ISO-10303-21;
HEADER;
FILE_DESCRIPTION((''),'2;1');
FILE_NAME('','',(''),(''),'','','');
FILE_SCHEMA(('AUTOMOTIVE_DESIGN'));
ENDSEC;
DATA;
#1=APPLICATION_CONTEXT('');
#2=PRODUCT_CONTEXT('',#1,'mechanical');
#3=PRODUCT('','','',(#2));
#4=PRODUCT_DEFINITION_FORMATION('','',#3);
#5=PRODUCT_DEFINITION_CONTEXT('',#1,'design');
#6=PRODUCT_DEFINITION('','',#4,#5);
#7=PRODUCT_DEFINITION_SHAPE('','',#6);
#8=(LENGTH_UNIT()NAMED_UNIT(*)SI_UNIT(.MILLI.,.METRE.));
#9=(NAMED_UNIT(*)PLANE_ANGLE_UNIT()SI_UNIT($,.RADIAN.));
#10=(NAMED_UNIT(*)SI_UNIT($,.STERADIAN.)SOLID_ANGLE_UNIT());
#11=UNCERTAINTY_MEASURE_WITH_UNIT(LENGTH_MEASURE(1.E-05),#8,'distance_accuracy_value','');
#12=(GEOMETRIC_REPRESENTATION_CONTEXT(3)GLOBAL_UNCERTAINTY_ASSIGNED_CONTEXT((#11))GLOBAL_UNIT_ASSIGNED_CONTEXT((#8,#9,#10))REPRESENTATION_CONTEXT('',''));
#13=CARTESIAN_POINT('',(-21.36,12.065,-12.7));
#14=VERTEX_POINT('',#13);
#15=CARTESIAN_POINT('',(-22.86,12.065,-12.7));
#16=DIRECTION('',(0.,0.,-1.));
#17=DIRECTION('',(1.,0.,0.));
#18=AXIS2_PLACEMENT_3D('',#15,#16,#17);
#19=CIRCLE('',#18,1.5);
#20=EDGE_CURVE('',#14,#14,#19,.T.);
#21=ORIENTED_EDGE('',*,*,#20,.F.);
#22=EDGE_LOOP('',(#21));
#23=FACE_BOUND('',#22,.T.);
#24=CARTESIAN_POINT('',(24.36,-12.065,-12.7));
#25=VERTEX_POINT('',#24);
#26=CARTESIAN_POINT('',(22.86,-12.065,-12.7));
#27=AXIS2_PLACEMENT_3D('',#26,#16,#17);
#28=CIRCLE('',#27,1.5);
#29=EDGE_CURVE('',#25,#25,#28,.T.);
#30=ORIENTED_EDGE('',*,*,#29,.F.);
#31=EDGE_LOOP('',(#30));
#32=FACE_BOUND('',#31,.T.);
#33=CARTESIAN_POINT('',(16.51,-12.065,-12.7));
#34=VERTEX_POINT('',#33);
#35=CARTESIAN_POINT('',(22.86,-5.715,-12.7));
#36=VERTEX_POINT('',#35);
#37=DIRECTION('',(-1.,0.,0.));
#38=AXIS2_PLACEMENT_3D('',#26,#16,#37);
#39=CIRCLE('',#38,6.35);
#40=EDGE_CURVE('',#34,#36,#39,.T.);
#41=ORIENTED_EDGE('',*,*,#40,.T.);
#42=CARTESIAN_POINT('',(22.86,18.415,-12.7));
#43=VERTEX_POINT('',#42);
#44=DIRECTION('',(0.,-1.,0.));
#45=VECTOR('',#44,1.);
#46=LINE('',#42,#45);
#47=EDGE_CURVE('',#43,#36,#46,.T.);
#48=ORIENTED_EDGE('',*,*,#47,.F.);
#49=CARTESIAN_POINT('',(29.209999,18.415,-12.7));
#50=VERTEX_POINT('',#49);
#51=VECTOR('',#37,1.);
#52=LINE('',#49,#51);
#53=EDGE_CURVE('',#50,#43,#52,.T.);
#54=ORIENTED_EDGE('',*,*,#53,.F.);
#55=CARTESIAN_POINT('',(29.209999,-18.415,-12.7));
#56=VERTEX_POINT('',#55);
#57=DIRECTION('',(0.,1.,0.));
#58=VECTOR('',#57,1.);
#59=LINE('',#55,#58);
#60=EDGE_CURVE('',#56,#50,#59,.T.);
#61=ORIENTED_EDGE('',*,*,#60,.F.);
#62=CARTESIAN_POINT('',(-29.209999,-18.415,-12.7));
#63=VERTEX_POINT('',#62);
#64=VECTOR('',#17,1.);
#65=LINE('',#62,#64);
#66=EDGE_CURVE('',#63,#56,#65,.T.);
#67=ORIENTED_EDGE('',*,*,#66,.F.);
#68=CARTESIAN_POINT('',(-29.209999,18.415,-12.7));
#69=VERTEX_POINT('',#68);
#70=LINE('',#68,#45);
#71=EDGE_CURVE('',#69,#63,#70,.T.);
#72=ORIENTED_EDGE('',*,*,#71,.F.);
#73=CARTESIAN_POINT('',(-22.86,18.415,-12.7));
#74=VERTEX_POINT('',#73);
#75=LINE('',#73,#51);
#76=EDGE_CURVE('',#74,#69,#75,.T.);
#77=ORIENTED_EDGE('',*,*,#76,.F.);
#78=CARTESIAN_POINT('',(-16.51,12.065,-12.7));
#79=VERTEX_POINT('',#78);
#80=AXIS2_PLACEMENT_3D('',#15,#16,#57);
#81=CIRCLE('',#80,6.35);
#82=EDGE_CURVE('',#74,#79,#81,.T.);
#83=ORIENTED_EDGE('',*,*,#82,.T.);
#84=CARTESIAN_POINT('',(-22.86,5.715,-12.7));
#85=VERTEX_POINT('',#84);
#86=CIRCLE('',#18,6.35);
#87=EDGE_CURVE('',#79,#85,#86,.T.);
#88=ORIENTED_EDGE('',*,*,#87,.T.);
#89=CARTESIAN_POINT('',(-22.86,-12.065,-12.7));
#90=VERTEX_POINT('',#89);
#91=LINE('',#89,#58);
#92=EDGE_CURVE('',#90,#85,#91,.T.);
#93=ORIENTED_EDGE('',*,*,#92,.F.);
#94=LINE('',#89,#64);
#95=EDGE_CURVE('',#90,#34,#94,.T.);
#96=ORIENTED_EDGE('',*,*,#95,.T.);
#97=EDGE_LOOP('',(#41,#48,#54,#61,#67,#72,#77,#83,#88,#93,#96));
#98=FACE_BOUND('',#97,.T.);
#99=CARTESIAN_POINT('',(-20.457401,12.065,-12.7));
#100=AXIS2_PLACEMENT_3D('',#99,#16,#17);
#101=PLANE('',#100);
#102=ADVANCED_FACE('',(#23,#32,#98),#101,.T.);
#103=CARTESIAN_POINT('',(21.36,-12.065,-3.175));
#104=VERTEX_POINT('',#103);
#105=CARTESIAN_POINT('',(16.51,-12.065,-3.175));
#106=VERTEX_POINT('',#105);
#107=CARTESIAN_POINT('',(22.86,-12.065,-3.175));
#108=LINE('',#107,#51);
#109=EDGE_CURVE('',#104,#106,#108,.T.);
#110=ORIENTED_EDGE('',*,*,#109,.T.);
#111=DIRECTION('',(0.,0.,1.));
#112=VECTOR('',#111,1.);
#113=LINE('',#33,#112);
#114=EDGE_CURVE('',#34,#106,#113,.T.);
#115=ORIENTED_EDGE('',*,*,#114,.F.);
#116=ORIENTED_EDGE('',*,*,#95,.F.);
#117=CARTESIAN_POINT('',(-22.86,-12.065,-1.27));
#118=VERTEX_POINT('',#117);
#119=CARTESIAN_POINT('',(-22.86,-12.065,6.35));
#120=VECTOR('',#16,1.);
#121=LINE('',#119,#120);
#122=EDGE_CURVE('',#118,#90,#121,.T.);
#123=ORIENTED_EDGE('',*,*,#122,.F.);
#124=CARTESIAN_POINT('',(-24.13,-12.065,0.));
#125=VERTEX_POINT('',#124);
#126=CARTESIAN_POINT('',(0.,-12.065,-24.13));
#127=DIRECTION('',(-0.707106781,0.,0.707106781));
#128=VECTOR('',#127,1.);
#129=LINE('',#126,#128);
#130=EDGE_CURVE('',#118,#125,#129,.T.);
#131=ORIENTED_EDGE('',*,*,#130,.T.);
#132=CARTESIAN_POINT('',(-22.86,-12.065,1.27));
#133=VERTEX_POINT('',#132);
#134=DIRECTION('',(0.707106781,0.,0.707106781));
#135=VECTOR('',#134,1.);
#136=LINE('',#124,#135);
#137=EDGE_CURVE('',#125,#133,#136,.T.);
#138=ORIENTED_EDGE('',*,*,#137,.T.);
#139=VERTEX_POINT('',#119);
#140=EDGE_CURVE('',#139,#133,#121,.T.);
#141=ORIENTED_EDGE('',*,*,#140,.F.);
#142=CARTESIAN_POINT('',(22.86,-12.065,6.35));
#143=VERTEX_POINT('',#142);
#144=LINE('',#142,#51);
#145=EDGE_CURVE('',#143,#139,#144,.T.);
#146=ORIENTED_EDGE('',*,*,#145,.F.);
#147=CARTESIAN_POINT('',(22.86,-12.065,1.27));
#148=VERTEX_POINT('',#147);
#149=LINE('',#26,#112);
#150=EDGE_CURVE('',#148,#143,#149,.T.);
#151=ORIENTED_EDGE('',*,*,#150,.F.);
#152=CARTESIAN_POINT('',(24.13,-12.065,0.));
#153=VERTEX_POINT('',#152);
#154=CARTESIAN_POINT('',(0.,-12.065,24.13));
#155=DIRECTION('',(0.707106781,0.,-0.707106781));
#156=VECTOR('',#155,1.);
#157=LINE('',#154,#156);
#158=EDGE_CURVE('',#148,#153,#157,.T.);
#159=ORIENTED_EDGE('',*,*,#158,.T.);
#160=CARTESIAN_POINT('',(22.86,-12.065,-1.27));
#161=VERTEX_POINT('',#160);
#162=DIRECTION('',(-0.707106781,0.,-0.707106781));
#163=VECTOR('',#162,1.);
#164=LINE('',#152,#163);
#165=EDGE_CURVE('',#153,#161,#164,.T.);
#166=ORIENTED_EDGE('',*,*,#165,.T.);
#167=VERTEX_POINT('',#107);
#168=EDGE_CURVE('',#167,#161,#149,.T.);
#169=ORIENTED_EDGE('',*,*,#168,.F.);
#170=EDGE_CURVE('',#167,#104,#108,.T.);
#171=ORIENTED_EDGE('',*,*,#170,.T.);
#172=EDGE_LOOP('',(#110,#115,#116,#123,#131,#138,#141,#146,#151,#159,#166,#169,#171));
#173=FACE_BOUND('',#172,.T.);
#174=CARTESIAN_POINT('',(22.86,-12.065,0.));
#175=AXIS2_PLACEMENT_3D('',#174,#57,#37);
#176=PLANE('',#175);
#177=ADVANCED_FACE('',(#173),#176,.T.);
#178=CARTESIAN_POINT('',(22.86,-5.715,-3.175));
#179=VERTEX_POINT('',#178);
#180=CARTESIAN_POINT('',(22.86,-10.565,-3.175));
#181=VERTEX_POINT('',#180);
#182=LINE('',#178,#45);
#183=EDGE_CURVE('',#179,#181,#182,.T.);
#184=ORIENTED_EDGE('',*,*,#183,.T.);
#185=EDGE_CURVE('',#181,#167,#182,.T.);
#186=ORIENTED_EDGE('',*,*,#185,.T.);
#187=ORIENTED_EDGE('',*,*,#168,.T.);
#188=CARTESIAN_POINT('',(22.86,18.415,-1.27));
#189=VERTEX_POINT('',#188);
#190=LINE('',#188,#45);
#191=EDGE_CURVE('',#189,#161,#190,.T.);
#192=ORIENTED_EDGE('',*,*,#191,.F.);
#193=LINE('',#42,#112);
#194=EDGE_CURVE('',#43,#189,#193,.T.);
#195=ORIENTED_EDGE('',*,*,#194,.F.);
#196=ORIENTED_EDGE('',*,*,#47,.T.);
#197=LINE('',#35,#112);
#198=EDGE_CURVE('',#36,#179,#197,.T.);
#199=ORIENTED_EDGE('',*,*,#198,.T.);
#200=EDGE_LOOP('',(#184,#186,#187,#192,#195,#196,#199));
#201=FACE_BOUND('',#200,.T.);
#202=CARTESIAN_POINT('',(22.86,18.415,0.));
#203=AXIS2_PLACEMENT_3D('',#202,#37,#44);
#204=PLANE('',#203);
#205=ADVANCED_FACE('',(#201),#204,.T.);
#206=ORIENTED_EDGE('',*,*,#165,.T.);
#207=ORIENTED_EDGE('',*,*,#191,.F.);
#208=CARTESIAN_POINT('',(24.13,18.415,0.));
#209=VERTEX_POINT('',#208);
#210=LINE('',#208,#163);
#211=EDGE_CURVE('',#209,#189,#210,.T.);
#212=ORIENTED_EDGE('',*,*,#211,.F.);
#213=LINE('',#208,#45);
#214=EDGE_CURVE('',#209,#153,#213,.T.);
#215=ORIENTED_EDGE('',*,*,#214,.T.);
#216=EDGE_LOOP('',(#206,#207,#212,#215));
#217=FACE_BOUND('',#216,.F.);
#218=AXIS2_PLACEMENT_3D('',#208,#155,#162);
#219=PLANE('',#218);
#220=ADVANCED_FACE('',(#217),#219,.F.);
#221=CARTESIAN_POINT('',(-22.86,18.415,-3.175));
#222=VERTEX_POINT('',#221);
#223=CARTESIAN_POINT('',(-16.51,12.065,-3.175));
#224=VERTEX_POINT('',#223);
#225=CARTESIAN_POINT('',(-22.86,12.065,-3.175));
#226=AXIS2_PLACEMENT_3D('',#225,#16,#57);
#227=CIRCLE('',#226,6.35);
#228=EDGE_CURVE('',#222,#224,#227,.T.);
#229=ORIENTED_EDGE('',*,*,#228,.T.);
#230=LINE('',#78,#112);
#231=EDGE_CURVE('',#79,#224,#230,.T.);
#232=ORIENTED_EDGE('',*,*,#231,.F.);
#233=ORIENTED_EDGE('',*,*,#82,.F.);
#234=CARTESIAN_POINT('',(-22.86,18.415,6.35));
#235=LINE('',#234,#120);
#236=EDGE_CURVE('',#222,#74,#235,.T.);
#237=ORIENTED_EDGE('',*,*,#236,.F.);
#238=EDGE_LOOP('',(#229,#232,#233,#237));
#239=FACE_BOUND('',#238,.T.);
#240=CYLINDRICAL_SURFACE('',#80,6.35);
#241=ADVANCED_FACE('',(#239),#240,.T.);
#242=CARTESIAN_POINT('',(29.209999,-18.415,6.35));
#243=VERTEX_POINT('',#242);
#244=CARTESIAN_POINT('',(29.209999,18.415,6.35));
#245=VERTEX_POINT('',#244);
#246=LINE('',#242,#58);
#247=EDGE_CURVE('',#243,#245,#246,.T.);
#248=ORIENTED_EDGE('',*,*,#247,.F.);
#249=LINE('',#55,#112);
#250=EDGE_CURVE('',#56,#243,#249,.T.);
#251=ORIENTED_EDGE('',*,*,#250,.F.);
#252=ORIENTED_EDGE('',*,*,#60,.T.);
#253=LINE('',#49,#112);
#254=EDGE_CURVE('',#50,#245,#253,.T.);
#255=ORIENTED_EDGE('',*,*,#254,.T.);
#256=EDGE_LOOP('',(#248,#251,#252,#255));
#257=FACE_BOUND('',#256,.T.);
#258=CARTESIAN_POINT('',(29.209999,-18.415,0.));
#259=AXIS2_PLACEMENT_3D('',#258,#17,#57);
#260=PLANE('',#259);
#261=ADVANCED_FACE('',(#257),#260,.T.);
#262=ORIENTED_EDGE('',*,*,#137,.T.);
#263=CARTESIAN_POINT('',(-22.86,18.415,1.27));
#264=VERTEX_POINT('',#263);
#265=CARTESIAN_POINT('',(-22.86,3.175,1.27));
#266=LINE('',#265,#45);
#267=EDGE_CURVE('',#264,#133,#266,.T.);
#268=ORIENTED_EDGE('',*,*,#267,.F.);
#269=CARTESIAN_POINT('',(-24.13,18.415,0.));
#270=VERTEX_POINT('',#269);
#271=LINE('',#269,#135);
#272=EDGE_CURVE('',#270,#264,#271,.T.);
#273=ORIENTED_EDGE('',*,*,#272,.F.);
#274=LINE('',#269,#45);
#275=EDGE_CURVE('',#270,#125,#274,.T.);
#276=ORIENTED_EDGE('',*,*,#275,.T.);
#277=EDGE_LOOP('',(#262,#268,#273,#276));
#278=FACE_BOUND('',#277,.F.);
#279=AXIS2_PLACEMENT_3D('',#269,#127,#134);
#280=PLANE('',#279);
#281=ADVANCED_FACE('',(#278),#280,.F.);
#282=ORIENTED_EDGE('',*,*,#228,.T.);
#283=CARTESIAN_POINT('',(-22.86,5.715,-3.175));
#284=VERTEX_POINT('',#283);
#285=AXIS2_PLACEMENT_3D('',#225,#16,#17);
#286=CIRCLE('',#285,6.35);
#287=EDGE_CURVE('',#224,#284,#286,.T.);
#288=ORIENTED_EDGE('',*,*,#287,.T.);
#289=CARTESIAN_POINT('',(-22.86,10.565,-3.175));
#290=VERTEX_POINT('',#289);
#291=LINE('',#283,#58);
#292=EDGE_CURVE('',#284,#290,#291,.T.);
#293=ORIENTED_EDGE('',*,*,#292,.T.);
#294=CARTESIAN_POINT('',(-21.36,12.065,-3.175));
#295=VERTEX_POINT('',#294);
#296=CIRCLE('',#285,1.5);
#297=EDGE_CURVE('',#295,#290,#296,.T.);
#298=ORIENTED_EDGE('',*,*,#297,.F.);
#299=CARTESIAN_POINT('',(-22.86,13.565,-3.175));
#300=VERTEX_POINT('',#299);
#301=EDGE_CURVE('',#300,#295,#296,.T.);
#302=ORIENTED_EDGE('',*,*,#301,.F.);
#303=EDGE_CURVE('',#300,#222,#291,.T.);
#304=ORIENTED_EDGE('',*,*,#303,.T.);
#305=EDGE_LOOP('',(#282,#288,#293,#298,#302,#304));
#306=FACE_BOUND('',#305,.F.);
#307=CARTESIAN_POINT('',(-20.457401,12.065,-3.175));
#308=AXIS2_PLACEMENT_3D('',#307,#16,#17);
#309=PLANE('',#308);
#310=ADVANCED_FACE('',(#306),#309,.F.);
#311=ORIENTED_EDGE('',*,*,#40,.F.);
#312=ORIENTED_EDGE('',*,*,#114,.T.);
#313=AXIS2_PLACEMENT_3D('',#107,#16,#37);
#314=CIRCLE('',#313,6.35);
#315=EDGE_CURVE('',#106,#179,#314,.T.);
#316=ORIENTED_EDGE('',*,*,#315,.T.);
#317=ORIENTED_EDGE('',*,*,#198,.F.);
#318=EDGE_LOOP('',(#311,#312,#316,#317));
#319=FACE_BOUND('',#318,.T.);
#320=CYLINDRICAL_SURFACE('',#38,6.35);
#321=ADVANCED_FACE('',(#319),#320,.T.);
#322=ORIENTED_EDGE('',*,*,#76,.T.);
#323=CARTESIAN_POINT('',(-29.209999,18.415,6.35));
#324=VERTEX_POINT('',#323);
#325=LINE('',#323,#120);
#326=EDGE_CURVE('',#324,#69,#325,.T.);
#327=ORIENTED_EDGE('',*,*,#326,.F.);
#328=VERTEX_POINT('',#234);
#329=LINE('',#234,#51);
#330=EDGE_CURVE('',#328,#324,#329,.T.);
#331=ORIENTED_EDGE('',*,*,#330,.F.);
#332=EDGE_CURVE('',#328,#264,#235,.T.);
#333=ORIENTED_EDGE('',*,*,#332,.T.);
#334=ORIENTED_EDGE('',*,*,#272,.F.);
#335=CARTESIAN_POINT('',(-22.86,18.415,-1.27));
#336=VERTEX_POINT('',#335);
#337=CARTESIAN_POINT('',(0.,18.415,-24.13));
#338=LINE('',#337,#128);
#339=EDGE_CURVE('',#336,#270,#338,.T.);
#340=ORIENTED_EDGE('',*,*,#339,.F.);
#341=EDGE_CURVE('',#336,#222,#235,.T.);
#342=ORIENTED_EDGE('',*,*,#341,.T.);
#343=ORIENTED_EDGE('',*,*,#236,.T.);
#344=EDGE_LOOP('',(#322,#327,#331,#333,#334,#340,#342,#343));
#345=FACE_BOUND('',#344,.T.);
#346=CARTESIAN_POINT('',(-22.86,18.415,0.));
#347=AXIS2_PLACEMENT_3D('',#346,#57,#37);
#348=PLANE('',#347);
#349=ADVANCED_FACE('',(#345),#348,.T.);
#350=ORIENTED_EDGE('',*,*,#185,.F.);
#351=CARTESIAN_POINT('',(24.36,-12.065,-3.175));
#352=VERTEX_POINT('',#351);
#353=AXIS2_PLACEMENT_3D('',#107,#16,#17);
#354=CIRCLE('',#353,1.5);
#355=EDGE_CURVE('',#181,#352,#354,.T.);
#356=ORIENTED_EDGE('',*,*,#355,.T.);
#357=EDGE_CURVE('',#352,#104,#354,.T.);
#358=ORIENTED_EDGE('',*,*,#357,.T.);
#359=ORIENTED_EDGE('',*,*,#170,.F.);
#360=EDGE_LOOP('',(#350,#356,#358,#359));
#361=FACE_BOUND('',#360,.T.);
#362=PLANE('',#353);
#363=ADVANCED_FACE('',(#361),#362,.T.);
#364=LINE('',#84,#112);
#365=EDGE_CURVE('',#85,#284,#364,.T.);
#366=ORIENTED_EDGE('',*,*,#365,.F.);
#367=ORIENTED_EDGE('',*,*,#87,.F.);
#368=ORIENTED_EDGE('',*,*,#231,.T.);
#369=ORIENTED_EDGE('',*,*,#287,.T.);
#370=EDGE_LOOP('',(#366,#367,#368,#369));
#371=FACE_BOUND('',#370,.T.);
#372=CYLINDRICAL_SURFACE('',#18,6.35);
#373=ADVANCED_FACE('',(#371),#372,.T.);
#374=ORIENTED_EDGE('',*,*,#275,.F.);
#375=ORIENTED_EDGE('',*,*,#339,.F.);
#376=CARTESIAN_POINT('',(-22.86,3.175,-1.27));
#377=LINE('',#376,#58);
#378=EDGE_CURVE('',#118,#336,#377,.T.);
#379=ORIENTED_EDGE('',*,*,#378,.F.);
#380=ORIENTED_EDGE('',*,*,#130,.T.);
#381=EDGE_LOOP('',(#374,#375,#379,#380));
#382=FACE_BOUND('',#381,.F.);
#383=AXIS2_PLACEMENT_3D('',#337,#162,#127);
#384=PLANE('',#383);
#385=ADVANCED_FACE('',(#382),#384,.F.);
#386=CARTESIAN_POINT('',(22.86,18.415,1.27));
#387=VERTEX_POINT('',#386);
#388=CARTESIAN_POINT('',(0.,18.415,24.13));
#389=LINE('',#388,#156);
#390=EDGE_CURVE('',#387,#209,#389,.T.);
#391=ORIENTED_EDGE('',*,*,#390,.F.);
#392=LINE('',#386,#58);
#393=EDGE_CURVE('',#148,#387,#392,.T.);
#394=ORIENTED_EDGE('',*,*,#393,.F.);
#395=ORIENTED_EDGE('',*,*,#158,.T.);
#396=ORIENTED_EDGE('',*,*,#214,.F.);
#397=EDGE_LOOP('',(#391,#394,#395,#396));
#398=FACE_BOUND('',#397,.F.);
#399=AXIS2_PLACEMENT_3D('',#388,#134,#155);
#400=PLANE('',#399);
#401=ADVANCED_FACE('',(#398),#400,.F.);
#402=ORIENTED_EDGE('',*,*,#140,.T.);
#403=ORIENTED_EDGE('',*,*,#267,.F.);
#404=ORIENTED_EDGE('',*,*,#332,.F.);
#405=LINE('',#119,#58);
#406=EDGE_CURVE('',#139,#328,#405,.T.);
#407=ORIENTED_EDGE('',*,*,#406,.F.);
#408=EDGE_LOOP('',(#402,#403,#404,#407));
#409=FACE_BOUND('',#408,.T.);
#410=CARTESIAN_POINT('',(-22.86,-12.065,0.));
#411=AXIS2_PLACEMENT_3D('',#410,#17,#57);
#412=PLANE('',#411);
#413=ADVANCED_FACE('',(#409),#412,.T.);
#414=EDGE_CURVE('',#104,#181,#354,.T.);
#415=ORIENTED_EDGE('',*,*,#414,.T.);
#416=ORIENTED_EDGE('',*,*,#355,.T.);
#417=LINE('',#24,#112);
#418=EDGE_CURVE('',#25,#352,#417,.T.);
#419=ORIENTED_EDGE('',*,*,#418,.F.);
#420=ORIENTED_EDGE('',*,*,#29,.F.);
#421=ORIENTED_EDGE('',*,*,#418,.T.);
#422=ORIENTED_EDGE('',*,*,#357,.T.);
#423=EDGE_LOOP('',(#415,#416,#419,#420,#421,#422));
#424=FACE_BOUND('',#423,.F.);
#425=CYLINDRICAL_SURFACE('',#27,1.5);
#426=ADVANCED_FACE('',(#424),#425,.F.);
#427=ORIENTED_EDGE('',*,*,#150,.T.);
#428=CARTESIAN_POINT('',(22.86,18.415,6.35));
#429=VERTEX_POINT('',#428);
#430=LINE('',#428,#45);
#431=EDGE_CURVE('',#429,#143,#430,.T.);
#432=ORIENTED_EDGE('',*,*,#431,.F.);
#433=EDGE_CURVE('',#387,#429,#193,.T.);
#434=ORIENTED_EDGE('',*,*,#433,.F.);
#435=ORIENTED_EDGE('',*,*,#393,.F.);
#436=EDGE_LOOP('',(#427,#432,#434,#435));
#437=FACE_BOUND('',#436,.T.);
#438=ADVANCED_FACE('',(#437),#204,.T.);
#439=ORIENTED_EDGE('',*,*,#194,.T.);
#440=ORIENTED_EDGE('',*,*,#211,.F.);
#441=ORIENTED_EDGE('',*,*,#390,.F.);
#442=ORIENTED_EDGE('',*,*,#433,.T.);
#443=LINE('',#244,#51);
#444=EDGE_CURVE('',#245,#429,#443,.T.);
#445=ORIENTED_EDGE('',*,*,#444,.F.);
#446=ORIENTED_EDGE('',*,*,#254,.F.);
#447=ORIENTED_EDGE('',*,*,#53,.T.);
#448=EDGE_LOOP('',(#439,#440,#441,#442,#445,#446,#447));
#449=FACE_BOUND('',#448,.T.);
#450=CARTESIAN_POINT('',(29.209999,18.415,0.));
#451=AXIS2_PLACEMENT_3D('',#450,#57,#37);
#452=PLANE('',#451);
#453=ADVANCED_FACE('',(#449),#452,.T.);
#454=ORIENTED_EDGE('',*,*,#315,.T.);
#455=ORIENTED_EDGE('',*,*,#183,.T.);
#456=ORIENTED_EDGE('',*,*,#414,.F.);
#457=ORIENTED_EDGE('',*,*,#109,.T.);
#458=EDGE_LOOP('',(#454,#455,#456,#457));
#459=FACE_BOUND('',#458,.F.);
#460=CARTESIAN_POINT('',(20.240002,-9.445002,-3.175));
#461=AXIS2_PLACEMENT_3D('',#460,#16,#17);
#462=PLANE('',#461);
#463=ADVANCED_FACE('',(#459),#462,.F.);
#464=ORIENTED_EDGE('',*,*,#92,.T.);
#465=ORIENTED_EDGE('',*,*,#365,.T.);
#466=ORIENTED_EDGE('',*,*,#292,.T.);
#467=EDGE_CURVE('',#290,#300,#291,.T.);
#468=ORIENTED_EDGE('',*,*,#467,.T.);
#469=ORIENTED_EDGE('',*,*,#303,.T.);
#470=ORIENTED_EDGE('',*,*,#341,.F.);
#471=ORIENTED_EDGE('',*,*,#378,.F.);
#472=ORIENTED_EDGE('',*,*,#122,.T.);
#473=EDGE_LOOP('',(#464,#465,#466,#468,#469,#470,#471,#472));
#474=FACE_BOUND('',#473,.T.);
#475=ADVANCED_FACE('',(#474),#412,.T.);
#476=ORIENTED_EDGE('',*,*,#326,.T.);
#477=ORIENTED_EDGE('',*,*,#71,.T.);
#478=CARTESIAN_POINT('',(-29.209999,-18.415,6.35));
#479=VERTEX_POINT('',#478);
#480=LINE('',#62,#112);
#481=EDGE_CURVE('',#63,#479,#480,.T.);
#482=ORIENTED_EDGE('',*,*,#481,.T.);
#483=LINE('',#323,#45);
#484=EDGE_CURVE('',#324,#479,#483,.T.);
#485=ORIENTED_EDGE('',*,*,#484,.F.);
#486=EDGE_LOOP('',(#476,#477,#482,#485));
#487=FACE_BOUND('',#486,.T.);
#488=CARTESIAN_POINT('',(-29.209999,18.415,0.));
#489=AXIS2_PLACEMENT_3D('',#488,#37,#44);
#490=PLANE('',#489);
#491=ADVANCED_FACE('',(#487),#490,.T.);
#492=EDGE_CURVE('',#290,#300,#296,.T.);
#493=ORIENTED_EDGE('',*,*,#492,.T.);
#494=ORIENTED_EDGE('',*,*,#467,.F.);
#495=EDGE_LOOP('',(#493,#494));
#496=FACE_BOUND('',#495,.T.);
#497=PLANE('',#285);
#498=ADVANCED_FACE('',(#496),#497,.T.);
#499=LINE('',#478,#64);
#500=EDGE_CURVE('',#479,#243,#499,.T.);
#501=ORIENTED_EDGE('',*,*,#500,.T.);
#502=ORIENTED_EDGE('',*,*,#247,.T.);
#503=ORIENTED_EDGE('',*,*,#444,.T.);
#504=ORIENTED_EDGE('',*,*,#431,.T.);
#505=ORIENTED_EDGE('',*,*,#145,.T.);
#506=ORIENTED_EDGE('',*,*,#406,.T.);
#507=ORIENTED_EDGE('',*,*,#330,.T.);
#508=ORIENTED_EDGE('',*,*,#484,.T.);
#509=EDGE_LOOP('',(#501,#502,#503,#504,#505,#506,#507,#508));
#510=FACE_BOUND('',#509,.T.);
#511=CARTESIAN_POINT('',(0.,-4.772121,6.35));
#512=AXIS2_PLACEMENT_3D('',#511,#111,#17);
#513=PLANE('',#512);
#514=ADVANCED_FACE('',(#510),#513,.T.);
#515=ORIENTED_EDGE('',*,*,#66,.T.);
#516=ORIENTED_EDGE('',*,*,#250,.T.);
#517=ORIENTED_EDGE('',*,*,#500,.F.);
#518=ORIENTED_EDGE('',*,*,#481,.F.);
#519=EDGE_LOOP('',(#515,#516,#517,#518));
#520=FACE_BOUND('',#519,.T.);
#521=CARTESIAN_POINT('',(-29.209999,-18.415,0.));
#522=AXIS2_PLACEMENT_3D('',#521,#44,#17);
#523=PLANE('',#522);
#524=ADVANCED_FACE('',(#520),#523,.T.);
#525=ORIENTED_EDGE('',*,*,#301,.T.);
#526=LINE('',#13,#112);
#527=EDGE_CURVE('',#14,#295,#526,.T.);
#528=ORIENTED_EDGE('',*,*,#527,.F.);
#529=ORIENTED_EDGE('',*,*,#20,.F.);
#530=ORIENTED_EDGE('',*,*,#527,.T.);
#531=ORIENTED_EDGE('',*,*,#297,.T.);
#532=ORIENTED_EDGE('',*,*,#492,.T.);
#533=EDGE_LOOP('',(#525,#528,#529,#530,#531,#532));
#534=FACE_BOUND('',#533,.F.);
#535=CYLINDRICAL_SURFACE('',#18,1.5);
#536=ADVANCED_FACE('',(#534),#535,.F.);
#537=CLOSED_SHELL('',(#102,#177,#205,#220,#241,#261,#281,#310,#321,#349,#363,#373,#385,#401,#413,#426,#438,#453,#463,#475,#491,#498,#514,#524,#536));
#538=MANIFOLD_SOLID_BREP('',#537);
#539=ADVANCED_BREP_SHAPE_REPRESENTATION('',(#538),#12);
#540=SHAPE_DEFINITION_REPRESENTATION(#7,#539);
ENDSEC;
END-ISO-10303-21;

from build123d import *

# Parameters (mm, degrees)
F1_DEPTH      = 6.35
F1_DEPTH_BACK = 12.7
F3_DEPTH      = 30.48
F5_DEPTH      = 9.525
F6_R          = 1.5
F7_DEPTH      = 9.525


with BuildPart() as f1:
    # F0 (on Top) → F1 (new body, two sides)
    with BuildSketch(Plane.XY) as f1_sk:
        Polygon((-29.2099994576, 18.4149997288), (-29.2099994576, -18.4149997288), (29.2099994576, -18.4149997288), (29.2099994576, 18.4149997288), (22.86, 18.4149997288), (22.86, -12.0650002712), (-22.86, -12.0650002712), (-22.86, 18.4149997288), align=None)
    extrude(amount=F1_DEPTH)
    extrude(f1_sk.sketch, amount=-F1_DEPTH_BACK)

    # F2 (on face) → F3 (cut)
    with BuildSketch(Plane(origin=(0, 18.4149997288, 0), x_dir=(-1, 0, 0), z_dir=(0, 1, 0))):
        Polygon((0, 24.13), (-24.13, 0), (0, -24.13), (22.86, -1.27), (22.86, 1.27), align=None)
        Polygon((24.13, 0), (22.86, 1.27), (22.86, -1.27), align=None)
    extrude(amount=-F3_DEPTH, mode=Mode.SUBTRACT)

    # F4 (on face) → F5 (join)
    with BuildSketch(Plane(origin=(0, 0, -12.7), x_dir=(1, 0, 0), z_dir=(0, 0, -1))):
        with BuildLine():
            Line((-22.86, -5.7149997288), (-22.86, -18.4149997288))
            ThreePointArc((-22.86, -18.4149997288), (-18.3698719395, -16.5551277893), (-16.51, -12.0649997288))
            ThreePointArc((-16.51, -12.0649997288), (-18.3698719395, -7.5748716683), (-22.86, -5.7149997288))
        make_face()
        with BuildLine():
            Line((22.86, 12.0650002712), (16.51, 12.0650002712))
            ThreePointArc((16.51, 12.0650002712), (18.3698719395, 7.5748722107), (22.86, 5.7150002712))
            Line((22.86, 5.7150002712), (22.86, 12.0650002712))
        make_face()
    extrude(amount=-F5_DEPTH)

    # F6 (on face) → F7 (cut)
    with BuildSketch(Plane(origin=(0, 0, -12.7), x_dir=(1, 0, 0), z_dir=(0, 0, -1))):
        with Locations((22.86, 12.0650002712)):
            Circle(F6_R)
        with Locations((-22.86, -12.0649997288)):
            Circle(F6_R)
    extrude(amount=-F7_DEPTH, mode=Mode.SUBTRACT)


solid = f1.part
